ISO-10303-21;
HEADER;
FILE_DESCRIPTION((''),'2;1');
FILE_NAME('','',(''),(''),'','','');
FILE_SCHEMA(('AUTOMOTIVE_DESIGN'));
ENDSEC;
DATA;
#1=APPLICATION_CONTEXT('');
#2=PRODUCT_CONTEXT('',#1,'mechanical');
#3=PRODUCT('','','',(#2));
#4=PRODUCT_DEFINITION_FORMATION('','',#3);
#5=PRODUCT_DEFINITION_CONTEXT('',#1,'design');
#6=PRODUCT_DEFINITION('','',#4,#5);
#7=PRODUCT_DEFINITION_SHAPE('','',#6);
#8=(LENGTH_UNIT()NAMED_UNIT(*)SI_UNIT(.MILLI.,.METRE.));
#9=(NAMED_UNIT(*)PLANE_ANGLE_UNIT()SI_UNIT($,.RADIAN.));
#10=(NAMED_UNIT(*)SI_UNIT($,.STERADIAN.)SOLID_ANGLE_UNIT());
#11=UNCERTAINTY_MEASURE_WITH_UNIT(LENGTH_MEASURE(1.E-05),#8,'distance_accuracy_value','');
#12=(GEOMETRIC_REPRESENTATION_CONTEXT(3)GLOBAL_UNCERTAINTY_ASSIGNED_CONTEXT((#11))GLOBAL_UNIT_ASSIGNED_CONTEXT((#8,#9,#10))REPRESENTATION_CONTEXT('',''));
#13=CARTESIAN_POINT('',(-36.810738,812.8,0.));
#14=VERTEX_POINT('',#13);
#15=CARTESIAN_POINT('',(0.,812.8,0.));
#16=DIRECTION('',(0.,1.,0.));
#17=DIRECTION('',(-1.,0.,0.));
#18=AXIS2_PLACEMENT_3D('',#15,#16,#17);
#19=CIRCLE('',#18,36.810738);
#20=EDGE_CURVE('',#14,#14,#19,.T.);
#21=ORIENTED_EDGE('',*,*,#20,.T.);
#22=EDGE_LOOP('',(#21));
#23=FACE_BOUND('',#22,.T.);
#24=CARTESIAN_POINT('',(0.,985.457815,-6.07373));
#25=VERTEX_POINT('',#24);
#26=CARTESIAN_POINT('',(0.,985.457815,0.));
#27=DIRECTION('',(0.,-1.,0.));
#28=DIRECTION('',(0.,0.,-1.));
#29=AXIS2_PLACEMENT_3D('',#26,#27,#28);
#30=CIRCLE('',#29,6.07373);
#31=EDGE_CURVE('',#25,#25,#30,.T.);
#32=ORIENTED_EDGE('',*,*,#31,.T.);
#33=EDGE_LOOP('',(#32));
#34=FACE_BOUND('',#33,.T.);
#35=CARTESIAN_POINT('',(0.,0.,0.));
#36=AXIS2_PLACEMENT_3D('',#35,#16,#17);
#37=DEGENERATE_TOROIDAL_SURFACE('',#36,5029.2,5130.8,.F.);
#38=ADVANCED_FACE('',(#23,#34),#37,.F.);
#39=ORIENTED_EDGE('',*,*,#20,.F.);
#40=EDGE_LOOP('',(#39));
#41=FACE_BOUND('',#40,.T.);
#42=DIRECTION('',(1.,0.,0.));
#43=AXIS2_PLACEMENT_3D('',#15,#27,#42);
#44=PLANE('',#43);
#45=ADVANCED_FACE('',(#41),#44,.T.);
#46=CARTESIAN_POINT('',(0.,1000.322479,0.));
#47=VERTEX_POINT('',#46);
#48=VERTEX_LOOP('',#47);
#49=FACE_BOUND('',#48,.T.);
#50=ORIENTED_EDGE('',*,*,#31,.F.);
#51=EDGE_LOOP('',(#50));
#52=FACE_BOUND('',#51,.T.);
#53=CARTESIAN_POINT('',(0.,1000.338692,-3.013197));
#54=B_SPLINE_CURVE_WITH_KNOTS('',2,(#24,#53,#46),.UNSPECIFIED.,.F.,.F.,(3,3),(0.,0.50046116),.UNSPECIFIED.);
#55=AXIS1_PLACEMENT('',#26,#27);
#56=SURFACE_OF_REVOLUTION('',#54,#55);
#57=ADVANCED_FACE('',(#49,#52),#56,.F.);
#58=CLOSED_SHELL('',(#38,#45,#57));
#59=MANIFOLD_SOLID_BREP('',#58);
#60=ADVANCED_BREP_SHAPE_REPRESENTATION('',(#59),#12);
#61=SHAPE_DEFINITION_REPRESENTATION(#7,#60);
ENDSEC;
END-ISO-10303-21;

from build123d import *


with BuildPart() as part:
    # Sketch1 → Revolve1 (revolve)
    with BuildSketch(Plane.XY):
        with BuildLine():
            Line((0, 812.8), (-36.810738243, 812.8))
            ThreePointArc((-36.810738243, 812.8), (-19.427786081, 914.585216157), (0, 1016))
            Line((0, 1016), (0, 812.8))
        make_face()
    revolve(axis=Axis((0, 1016, 0), (0, -1, 0)))

    # Sketch2 → Cut-Revolve1 (revolve, cut)
    with BuildSketch(Plane(origin=(0, 0, 0), x_dir=(0, 0, -1), z_dir=(1, 0, 0))):
        with BuildLine():
            Line((8.737841343, 985.45781512), (8.103051438, 1019.178629525))
            Line((8.103051438, 1019.178629525), (0, 1019.178629525))
            Line((0, 1019.178629525), (0, 1000.322478733))
            add(Edge.make_bspline(
                [(6.07372986, 985.45781512), (3.013196655, 1000.338691952), (0, 1000.322478733)],
                knots=[0, 0, 0, 0.50046116, 0.50046116, 0.50046116], degree=2))
            Line((6.07372986, 985.45781512), (8.737841343, 985.45781512))
        make_face()
    revolve(axis=Axis((0, 985.45781512, 0), (0, 1, 0)), mode=Mode.SUBTRACT)


solid = part.part
